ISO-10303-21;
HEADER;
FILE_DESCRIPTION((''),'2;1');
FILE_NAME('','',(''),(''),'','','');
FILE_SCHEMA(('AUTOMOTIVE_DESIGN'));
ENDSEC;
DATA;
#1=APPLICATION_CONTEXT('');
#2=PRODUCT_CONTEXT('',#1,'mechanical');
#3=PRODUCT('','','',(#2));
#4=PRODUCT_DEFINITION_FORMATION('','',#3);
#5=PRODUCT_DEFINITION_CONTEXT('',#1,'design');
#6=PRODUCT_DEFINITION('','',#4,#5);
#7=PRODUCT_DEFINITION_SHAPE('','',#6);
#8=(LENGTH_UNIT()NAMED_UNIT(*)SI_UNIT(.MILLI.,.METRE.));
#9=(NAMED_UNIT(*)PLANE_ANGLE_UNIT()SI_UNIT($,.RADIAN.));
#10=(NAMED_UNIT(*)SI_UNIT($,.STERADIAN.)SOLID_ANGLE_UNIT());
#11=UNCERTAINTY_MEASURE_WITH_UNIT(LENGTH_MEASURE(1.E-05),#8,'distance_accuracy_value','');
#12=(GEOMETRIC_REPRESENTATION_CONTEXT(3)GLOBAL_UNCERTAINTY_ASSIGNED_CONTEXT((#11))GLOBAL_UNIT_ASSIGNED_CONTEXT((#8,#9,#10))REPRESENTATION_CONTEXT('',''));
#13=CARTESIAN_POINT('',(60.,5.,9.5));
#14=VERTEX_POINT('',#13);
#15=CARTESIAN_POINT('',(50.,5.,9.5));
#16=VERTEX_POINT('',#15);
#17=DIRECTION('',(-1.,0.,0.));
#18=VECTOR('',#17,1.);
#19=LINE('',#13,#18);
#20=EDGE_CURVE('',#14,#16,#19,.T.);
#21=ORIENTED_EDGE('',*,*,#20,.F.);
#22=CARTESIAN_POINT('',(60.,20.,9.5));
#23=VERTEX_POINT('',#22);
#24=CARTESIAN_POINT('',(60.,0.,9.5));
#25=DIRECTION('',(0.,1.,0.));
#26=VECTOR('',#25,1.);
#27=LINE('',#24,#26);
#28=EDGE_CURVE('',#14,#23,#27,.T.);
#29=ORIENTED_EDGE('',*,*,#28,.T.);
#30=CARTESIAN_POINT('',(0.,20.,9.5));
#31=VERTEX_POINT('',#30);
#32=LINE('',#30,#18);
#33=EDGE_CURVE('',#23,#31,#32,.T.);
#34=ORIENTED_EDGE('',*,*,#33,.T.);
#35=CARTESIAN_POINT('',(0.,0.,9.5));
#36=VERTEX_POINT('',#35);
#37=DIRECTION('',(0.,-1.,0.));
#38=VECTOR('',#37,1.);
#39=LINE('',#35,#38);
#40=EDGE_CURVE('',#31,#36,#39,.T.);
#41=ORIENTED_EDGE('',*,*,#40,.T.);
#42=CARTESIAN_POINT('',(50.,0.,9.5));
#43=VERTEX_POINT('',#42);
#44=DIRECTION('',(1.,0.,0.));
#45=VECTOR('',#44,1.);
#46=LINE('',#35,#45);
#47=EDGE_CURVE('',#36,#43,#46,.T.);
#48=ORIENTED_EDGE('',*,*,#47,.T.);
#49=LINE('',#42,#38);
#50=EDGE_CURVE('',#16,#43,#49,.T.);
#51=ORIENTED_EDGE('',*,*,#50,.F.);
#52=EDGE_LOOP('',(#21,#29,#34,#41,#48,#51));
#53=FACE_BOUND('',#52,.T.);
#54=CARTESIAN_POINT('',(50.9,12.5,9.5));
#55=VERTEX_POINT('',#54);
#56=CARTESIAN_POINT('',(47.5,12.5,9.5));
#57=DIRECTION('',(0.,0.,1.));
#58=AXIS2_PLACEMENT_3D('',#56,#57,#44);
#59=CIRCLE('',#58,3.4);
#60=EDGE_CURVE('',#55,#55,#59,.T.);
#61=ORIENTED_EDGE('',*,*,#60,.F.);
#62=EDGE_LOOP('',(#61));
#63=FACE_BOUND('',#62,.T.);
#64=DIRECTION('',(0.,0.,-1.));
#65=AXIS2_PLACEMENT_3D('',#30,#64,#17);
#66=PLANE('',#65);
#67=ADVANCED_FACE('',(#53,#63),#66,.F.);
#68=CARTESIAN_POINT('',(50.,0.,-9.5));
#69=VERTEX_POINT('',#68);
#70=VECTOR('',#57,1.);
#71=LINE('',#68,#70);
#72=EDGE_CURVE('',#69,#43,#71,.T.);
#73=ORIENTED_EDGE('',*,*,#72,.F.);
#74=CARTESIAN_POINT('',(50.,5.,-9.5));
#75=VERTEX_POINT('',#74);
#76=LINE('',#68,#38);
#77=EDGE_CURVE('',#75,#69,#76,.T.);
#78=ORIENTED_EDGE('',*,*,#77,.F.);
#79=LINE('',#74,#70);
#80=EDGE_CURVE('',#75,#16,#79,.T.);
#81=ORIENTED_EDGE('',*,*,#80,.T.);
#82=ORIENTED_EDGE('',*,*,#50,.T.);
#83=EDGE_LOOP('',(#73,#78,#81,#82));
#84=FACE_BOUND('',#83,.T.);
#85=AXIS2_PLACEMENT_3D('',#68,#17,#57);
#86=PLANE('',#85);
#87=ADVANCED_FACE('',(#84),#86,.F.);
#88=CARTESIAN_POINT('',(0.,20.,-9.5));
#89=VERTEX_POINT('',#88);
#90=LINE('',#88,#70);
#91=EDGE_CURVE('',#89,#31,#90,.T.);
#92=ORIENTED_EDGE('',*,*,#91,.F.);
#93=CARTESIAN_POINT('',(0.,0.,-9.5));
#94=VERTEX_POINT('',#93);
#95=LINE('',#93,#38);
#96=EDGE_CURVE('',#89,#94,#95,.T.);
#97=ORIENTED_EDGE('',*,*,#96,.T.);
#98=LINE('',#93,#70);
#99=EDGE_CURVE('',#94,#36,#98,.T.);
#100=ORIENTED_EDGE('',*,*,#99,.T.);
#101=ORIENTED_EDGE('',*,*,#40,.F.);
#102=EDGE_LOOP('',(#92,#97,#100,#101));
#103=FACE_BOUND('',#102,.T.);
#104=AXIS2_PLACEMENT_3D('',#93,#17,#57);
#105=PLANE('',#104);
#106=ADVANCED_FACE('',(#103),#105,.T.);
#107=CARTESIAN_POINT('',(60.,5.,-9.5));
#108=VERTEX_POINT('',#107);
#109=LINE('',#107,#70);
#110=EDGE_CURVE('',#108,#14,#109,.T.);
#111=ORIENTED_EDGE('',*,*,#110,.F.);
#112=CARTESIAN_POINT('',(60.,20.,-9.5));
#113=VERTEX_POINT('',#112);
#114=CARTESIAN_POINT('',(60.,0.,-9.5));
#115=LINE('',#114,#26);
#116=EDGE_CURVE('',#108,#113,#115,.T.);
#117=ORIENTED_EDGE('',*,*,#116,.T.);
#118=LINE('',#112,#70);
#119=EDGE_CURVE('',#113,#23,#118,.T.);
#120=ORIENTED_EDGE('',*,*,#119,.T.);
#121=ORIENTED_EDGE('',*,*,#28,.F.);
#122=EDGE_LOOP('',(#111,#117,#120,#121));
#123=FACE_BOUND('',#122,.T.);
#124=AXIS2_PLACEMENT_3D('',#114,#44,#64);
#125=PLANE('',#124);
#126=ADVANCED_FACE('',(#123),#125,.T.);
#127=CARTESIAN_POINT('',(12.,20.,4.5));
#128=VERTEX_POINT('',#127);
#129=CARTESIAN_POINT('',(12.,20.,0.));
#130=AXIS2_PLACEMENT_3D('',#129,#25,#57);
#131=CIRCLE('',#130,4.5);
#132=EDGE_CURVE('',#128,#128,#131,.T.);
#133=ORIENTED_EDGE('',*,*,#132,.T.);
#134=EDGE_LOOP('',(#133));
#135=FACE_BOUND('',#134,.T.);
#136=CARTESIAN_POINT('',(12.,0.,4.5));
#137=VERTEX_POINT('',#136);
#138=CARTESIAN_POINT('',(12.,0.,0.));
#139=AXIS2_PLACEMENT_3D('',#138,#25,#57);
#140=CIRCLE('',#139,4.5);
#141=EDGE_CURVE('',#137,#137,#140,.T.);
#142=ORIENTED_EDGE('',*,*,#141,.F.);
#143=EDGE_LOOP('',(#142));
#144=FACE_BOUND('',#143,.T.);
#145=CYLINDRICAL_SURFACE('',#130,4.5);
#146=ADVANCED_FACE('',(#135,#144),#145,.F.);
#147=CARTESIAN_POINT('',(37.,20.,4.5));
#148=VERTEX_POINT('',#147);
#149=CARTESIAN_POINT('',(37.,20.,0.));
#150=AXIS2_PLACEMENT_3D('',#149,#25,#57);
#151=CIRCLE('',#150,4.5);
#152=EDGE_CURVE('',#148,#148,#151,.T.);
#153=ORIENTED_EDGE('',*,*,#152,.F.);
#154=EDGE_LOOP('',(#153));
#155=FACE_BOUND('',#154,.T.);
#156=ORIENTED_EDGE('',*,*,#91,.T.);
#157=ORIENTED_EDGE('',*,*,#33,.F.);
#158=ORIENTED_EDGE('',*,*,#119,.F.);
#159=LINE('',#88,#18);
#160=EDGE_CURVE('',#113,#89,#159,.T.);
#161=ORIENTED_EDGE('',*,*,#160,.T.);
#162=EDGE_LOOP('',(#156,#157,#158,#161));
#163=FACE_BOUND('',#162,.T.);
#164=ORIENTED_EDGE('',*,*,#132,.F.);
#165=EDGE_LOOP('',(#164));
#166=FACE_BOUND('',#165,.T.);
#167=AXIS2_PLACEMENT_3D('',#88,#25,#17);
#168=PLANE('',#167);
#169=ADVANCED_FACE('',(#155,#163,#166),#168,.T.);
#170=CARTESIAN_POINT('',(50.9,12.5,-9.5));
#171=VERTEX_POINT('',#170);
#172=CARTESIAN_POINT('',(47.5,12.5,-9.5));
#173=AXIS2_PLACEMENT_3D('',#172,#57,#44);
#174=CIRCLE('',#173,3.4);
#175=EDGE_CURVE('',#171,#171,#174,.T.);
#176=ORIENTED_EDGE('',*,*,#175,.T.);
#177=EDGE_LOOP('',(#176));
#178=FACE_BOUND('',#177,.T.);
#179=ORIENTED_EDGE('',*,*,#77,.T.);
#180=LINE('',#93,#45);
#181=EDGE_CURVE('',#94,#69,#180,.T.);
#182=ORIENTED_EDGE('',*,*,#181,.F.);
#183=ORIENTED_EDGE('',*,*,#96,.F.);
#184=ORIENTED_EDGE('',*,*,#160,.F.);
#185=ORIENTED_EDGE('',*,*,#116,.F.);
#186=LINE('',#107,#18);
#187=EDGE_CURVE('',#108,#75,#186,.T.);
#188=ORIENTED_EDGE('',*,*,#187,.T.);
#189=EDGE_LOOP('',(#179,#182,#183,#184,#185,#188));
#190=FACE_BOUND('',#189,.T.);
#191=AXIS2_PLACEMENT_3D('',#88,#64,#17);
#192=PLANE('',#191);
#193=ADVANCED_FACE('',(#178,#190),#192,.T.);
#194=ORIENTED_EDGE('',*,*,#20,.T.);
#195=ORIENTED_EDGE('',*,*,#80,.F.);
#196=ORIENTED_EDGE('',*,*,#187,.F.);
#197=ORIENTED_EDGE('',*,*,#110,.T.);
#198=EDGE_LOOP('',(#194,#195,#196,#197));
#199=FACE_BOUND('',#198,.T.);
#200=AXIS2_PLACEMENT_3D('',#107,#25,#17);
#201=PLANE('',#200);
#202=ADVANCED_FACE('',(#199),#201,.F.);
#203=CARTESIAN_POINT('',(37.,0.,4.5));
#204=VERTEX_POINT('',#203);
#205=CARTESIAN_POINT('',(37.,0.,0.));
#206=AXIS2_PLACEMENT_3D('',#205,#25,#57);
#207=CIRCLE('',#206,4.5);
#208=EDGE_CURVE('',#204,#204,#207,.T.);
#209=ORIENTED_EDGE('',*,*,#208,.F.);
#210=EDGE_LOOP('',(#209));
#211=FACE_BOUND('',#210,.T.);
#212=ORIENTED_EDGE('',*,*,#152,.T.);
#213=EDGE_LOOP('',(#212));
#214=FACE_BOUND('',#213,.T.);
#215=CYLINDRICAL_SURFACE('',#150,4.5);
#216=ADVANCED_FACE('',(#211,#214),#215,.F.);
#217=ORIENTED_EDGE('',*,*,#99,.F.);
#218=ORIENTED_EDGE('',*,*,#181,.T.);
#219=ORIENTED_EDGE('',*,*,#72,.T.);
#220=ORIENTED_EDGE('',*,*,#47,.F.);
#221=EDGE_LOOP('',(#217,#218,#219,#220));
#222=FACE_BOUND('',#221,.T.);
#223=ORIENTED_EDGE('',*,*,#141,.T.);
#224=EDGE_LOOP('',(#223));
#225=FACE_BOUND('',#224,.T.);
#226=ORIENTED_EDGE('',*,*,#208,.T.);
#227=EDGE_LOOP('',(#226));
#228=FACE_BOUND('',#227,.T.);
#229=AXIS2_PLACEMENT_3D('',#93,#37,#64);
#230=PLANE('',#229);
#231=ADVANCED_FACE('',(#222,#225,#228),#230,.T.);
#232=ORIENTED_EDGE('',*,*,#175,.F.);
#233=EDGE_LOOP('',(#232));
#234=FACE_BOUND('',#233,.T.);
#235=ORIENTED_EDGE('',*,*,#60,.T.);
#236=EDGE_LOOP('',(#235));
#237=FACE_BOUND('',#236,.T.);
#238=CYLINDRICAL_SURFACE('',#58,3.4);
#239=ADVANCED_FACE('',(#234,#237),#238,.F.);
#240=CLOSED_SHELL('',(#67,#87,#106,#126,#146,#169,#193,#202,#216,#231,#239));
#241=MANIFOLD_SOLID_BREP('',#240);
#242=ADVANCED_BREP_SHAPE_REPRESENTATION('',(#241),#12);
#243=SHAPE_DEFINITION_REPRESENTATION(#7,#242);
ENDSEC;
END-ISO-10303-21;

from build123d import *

# Parameters (mm, degrees)
SKETCH1_W                = 60
SKETCH1_H                = 20
BOSS_EXTRUDE1_DEPTH      = 9.5
SKETCH2_W                = 10
SKETCH2_H                = 5
CUT_EXTRUDE1_DEPTH       = 20
F_9_0_9_DIAMETER_HOLE1_D = 9
M8X1_25_TAPPED_HOLE1_D   = 6.8


with BuildPart() as part:
    # Sketch1 → Boss-Extrude1 (new body, symmetric)
    with BuildSketch(Plane.XY):
        with Locations((30, 10)):
            Rectangle(SKETCH1_W, SKETCH1_H)
    extrude(amount=BOSS_EXTRUDE1_DEPTH, both=True)

    # Sketch2 → Cut-Extrude1 (cut, through all)
    with BuildSketch(Plane.XY.offset(9.5)):
        with Locations((55, 2.5)):
            Rectangle(SKETCH2_W, SKETCH2_H)
    extrude(amount=-CUT_EXTRUDE1_DEPTH, mode=Mode.SUBTRACT)

    # Ø9.0 (9) Diameter Hole1 (through all)
    with Locations(Plane(origin=(0, 20, 0), x_dir=(-1, 0, 0), z_dir=(0, 1, 0))):
        with Locations((-12, 0), (-37, 0)):
            Hole(F_9_0_9_DIAMETER_HOLE1_D / 2)

    # M8x1.25 Tapped Hole1 (through all)
    with Locations(Plane.XY.offset(9.5)):
        with Locations((47.5, 12.5)):
            Hole(M8X1_25_TAPPED_HOLE1_D / 2)


solid = part.part
